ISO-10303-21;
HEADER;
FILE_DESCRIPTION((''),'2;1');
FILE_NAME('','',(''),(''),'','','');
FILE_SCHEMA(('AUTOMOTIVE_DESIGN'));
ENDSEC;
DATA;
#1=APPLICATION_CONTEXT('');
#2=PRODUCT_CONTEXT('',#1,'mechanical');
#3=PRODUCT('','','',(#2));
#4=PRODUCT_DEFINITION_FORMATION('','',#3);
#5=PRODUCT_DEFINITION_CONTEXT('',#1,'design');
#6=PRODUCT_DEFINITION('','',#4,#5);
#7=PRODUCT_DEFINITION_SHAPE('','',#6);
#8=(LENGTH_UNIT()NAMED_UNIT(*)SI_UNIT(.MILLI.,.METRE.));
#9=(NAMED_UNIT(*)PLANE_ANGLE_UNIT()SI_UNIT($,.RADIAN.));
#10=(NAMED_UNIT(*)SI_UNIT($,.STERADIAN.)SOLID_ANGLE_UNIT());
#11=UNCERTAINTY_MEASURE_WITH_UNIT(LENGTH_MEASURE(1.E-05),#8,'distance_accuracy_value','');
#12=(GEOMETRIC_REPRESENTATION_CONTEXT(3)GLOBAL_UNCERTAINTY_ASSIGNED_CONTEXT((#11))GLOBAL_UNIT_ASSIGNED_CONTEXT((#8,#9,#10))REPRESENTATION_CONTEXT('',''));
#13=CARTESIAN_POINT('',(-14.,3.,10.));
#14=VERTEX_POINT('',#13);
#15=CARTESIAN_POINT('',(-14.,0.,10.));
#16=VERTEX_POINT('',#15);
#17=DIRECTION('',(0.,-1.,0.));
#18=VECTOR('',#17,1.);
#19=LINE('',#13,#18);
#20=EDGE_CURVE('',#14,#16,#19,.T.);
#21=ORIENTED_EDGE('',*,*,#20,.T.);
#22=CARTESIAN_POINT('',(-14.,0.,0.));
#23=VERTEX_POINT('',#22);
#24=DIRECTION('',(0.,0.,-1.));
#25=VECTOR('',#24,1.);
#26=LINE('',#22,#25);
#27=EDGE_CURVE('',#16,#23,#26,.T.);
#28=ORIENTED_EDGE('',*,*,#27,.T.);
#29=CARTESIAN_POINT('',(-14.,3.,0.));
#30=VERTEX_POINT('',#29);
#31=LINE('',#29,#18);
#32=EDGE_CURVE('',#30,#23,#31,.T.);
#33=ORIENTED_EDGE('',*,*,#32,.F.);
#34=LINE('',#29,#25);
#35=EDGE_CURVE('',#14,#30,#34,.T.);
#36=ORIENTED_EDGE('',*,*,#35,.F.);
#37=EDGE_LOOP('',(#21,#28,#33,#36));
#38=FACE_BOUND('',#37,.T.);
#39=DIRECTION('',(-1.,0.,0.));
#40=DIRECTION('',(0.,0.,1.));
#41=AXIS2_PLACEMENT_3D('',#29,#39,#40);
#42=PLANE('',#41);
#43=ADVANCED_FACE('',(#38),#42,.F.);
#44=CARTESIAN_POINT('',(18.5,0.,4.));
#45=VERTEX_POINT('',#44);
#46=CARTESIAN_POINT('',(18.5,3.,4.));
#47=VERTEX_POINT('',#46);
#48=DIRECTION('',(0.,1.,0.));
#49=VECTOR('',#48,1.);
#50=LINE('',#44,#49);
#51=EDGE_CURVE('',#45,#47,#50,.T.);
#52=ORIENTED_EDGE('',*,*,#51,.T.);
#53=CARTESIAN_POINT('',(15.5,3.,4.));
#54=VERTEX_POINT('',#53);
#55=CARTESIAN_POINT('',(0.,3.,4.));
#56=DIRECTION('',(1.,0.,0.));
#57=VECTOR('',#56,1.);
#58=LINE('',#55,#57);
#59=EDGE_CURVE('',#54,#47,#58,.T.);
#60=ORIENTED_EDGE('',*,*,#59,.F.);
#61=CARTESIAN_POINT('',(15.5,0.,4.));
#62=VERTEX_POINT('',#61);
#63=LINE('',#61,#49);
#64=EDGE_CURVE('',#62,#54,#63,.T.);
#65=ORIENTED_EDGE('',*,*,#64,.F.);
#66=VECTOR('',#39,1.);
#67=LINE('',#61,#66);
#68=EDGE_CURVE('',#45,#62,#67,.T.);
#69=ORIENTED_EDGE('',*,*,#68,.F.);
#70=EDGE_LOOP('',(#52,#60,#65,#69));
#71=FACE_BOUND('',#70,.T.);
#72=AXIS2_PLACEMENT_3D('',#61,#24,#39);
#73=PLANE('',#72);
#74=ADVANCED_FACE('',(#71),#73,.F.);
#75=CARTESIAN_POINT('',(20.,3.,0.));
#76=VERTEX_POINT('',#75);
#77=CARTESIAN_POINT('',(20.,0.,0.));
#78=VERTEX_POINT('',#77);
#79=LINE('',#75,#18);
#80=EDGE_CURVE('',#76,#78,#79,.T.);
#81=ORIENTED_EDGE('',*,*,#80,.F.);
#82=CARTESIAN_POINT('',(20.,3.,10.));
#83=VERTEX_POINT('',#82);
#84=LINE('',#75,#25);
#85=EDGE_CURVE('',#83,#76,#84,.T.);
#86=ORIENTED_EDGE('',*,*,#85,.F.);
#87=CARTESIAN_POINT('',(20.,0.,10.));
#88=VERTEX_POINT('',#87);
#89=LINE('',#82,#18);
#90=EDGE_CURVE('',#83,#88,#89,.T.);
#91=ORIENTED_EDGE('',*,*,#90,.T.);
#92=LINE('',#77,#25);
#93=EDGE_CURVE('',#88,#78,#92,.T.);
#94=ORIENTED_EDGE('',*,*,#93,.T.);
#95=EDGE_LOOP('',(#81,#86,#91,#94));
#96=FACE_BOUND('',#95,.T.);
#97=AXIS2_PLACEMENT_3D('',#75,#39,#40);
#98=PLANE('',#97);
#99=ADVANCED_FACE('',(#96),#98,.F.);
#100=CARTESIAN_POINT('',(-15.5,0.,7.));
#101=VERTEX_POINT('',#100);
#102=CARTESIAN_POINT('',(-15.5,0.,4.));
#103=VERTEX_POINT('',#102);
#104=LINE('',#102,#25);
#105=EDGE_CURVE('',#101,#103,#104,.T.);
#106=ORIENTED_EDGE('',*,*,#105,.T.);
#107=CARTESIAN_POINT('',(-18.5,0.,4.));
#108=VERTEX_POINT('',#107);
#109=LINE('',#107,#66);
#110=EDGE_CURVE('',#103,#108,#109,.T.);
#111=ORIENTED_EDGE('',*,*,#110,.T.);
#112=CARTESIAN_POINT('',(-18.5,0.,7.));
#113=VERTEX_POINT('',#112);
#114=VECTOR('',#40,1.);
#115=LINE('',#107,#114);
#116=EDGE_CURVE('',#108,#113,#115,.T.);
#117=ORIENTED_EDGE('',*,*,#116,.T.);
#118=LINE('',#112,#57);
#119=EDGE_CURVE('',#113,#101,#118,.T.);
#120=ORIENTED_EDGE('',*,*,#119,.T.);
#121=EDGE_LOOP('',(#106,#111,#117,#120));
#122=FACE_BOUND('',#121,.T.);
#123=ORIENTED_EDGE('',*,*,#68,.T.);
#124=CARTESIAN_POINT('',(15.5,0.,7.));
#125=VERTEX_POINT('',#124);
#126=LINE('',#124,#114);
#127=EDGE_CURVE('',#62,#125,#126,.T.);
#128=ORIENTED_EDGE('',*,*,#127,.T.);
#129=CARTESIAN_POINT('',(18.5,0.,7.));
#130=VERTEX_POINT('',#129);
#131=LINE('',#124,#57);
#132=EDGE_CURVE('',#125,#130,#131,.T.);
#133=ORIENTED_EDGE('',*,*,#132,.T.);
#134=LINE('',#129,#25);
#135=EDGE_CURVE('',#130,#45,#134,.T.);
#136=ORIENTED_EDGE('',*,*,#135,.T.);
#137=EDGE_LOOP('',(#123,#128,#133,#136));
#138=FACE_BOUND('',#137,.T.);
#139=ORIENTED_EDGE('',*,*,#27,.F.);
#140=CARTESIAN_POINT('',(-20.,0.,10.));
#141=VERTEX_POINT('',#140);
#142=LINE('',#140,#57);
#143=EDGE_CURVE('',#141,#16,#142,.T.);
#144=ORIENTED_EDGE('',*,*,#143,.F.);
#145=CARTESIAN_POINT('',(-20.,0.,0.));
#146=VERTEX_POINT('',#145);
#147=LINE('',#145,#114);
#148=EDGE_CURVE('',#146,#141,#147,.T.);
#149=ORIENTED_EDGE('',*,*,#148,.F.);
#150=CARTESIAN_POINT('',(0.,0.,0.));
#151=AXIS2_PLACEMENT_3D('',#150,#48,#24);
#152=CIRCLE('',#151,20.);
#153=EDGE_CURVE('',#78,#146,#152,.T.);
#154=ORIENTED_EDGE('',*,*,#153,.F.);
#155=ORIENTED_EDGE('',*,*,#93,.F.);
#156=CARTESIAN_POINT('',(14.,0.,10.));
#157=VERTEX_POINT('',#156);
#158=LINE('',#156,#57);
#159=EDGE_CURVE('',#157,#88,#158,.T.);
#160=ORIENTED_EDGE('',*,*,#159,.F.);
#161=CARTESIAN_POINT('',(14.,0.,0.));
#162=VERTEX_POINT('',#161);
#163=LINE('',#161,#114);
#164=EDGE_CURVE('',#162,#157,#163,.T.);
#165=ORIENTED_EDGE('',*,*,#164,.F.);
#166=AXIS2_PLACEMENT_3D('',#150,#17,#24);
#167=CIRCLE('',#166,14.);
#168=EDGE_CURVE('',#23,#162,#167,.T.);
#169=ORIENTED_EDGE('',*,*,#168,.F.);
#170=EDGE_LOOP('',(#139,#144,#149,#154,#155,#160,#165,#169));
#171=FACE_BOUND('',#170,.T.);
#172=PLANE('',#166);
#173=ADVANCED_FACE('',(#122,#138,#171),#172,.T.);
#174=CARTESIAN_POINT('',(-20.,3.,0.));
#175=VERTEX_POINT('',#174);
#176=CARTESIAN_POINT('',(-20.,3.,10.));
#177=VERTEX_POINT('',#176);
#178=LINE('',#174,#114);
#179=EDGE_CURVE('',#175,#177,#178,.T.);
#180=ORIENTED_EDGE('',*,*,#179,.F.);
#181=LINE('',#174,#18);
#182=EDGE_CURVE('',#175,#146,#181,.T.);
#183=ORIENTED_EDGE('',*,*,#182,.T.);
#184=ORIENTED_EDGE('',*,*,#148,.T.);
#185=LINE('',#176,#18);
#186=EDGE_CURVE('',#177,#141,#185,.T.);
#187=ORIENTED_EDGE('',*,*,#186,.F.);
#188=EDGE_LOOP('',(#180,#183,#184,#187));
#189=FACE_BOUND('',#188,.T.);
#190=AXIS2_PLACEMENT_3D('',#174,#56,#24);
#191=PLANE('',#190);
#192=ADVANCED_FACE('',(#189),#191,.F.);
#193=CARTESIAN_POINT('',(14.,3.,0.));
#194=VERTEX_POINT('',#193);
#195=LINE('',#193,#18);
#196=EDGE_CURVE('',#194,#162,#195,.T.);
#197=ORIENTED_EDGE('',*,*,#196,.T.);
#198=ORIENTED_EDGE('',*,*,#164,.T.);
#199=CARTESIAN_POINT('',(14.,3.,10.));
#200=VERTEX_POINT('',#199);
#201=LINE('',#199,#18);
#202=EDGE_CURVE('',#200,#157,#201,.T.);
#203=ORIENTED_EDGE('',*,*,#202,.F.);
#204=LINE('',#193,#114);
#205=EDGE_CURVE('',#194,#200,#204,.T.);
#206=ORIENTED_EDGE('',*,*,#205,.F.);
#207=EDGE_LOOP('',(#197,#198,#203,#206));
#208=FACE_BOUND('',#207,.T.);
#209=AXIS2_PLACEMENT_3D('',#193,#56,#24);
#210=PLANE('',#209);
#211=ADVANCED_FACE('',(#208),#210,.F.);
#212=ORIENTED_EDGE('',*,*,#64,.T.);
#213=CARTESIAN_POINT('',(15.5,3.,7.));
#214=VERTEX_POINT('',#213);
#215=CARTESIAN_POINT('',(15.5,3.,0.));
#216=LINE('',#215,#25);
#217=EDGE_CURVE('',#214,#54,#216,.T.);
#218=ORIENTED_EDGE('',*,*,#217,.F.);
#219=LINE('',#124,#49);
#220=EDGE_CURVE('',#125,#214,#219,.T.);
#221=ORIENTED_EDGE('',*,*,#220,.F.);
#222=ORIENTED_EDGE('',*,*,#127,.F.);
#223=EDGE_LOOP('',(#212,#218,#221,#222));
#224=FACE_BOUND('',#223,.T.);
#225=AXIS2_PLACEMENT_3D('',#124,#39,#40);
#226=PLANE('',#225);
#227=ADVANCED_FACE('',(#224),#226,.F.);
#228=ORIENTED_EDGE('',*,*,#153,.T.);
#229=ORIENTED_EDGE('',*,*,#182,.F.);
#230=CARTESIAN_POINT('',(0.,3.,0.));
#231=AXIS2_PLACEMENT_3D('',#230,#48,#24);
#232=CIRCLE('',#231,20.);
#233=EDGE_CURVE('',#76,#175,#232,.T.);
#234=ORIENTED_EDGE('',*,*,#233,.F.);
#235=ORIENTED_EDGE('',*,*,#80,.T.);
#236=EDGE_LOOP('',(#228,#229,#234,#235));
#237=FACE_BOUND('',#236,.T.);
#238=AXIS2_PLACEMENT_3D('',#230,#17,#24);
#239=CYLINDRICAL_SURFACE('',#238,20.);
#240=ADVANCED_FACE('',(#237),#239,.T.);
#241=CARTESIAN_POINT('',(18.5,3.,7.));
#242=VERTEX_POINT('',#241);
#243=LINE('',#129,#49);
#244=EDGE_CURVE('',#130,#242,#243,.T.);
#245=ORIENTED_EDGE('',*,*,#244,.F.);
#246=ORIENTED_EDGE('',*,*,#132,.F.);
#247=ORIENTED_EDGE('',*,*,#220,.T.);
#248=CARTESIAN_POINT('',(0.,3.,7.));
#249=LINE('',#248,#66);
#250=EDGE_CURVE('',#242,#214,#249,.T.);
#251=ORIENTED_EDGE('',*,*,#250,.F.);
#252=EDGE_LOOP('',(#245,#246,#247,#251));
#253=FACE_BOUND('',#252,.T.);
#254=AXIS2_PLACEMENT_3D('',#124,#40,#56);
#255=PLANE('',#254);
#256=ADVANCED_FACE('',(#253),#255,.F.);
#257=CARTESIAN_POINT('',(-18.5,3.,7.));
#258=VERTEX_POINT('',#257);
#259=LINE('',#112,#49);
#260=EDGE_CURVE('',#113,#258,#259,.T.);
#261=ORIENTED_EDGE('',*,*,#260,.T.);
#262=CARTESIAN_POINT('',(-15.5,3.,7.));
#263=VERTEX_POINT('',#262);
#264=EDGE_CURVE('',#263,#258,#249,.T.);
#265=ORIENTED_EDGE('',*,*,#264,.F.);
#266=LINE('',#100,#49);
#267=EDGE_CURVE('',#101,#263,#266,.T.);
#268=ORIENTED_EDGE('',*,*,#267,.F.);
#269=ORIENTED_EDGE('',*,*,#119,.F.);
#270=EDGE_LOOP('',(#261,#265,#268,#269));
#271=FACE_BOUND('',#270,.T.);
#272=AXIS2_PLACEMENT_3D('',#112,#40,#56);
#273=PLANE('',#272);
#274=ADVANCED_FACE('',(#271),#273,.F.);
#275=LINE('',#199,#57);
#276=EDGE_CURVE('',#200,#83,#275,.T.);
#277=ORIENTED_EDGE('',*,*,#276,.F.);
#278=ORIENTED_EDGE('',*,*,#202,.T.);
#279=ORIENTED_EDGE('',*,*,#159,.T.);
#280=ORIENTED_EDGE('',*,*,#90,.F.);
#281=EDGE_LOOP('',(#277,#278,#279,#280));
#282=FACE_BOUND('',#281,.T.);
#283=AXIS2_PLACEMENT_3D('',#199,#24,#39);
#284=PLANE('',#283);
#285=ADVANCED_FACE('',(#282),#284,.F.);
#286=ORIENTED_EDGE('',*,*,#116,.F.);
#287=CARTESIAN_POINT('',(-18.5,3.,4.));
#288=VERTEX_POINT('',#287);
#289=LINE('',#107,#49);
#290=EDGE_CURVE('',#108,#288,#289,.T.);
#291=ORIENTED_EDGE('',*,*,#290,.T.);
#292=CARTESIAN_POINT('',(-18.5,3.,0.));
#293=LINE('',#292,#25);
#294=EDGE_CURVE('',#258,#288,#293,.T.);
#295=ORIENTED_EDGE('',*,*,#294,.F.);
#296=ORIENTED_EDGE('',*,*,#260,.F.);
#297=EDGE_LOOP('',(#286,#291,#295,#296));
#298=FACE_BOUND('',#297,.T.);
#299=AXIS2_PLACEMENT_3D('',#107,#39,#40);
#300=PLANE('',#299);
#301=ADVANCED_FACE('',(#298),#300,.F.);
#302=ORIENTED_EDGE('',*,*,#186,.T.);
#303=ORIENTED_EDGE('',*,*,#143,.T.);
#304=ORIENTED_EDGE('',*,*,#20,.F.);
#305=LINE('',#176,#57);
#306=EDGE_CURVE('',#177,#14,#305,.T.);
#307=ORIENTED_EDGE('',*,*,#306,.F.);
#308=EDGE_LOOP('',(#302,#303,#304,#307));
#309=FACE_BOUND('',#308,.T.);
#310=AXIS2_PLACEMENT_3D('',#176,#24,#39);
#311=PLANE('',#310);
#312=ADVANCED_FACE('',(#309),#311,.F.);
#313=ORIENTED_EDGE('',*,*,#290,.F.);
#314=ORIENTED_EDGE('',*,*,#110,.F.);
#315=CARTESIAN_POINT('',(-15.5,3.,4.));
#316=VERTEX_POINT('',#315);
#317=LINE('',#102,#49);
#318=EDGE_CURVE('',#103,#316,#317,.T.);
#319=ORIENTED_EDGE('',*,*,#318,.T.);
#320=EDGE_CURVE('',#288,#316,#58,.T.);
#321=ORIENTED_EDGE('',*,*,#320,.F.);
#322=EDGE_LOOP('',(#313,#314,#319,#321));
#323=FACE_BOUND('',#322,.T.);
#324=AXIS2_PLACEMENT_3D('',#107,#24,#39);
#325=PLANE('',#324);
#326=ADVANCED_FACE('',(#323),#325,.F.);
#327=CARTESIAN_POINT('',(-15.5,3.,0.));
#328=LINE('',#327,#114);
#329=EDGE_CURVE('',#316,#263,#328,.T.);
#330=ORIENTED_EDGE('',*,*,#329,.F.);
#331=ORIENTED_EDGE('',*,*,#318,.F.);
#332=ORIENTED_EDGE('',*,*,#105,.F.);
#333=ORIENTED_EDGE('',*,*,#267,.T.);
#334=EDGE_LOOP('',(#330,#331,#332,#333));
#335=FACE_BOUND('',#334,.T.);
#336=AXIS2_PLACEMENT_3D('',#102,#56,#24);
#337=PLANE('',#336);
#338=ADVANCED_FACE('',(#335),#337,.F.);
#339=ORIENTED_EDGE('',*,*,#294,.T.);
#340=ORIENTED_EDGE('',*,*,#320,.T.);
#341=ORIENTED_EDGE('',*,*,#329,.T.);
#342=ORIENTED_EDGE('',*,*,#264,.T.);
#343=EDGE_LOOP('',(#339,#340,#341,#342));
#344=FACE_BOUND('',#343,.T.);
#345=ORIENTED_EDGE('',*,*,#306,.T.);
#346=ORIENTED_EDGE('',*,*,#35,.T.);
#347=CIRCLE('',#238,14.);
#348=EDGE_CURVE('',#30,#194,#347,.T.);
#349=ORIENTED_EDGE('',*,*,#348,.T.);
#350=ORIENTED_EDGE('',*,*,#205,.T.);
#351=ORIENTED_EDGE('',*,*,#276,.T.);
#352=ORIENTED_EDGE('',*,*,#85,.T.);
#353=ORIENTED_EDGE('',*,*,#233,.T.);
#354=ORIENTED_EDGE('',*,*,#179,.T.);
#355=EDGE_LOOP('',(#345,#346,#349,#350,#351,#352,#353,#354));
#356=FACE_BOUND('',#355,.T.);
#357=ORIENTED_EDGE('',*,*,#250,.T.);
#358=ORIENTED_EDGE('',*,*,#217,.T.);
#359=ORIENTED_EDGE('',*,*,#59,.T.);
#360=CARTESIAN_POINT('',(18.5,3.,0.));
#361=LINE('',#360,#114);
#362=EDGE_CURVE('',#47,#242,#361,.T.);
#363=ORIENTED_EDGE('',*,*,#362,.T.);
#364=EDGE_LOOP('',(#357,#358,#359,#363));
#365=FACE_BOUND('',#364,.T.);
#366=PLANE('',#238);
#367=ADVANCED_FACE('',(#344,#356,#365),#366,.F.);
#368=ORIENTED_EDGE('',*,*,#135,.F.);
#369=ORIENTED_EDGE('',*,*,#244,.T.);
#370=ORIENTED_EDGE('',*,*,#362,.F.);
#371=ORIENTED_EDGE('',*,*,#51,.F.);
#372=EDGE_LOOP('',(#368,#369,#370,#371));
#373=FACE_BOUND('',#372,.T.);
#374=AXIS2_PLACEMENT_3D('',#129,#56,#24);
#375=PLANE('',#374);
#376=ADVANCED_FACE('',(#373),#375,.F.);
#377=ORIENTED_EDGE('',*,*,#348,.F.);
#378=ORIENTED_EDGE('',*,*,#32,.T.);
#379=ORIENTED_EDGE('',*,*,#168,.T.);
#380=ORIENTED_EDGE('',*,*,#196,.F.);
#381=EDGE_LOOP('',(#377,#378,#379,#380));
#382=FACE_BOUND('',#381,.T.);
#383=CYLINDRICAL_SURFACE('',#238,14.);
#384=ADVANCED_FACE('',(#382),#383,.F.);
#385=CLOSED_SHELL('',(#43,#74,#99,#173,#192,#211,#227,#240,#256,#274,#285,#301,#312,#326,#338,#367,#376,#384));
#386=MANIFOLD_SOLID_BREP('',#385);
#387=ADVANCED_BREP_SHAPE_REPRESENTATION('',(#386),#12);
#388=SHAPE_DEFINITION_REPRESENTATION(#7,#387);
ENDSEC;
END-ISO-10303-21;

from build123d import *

# Parameters (mm, degrees)
BOSS_EXTRUDE1_DEPTH = 3
SKETCH2_W           = 3
SKETCH2_H           = 3
CUT_EXTRUDE1_DEPTH  = 70.726054689


with BuildPart() as part:
    # Sketch1 → Boss-Extrude1 (new body)
    with BuildSketch(Plane(origin=(0, 0, 0), x_dir=(1, 0, 0), z_dir=(0, 1, 0))):
        with BuildLine():
            Line((-20, 0), (-20, -10))
            Line((-20, -10), (-14, -10))
            Line((-14, -10), (-14, 0))
            ThreePointArc((-14, 0), (0, 14), (14, 0))
            Line((14, 0), (14, -10))
            Line((14, -10), (20, -10))
            Line((20, -10), (20, 0))
            ThreePointArc((20, 0), (0, 20), (-20, 0))
        make_face()
    extrude(amount=BOSS_EXTRUDE1_DEPTH)

    # Sketch2 → Cut-Extrude1 (cut, through all)
    with BuildSketch(Plane(origin=(-39.0910666, 6, -26.523534202), x_dir=(1, 0, 0), z_dir=(0, 1, 0))):
        with Locations((22.0910666, -32.023534202)):
            Rectangle(SKETCH2_W, SKETCH2_H)
        with Locations((56.0910666, -32.023534202)):
            Rectangle(SKETCH2_W, SKETCH2_H)
    extrude(amount=-CUT_EXTRUDE1_DEPTH, mode=Mode.SUBTRACT)


solid = part.part
